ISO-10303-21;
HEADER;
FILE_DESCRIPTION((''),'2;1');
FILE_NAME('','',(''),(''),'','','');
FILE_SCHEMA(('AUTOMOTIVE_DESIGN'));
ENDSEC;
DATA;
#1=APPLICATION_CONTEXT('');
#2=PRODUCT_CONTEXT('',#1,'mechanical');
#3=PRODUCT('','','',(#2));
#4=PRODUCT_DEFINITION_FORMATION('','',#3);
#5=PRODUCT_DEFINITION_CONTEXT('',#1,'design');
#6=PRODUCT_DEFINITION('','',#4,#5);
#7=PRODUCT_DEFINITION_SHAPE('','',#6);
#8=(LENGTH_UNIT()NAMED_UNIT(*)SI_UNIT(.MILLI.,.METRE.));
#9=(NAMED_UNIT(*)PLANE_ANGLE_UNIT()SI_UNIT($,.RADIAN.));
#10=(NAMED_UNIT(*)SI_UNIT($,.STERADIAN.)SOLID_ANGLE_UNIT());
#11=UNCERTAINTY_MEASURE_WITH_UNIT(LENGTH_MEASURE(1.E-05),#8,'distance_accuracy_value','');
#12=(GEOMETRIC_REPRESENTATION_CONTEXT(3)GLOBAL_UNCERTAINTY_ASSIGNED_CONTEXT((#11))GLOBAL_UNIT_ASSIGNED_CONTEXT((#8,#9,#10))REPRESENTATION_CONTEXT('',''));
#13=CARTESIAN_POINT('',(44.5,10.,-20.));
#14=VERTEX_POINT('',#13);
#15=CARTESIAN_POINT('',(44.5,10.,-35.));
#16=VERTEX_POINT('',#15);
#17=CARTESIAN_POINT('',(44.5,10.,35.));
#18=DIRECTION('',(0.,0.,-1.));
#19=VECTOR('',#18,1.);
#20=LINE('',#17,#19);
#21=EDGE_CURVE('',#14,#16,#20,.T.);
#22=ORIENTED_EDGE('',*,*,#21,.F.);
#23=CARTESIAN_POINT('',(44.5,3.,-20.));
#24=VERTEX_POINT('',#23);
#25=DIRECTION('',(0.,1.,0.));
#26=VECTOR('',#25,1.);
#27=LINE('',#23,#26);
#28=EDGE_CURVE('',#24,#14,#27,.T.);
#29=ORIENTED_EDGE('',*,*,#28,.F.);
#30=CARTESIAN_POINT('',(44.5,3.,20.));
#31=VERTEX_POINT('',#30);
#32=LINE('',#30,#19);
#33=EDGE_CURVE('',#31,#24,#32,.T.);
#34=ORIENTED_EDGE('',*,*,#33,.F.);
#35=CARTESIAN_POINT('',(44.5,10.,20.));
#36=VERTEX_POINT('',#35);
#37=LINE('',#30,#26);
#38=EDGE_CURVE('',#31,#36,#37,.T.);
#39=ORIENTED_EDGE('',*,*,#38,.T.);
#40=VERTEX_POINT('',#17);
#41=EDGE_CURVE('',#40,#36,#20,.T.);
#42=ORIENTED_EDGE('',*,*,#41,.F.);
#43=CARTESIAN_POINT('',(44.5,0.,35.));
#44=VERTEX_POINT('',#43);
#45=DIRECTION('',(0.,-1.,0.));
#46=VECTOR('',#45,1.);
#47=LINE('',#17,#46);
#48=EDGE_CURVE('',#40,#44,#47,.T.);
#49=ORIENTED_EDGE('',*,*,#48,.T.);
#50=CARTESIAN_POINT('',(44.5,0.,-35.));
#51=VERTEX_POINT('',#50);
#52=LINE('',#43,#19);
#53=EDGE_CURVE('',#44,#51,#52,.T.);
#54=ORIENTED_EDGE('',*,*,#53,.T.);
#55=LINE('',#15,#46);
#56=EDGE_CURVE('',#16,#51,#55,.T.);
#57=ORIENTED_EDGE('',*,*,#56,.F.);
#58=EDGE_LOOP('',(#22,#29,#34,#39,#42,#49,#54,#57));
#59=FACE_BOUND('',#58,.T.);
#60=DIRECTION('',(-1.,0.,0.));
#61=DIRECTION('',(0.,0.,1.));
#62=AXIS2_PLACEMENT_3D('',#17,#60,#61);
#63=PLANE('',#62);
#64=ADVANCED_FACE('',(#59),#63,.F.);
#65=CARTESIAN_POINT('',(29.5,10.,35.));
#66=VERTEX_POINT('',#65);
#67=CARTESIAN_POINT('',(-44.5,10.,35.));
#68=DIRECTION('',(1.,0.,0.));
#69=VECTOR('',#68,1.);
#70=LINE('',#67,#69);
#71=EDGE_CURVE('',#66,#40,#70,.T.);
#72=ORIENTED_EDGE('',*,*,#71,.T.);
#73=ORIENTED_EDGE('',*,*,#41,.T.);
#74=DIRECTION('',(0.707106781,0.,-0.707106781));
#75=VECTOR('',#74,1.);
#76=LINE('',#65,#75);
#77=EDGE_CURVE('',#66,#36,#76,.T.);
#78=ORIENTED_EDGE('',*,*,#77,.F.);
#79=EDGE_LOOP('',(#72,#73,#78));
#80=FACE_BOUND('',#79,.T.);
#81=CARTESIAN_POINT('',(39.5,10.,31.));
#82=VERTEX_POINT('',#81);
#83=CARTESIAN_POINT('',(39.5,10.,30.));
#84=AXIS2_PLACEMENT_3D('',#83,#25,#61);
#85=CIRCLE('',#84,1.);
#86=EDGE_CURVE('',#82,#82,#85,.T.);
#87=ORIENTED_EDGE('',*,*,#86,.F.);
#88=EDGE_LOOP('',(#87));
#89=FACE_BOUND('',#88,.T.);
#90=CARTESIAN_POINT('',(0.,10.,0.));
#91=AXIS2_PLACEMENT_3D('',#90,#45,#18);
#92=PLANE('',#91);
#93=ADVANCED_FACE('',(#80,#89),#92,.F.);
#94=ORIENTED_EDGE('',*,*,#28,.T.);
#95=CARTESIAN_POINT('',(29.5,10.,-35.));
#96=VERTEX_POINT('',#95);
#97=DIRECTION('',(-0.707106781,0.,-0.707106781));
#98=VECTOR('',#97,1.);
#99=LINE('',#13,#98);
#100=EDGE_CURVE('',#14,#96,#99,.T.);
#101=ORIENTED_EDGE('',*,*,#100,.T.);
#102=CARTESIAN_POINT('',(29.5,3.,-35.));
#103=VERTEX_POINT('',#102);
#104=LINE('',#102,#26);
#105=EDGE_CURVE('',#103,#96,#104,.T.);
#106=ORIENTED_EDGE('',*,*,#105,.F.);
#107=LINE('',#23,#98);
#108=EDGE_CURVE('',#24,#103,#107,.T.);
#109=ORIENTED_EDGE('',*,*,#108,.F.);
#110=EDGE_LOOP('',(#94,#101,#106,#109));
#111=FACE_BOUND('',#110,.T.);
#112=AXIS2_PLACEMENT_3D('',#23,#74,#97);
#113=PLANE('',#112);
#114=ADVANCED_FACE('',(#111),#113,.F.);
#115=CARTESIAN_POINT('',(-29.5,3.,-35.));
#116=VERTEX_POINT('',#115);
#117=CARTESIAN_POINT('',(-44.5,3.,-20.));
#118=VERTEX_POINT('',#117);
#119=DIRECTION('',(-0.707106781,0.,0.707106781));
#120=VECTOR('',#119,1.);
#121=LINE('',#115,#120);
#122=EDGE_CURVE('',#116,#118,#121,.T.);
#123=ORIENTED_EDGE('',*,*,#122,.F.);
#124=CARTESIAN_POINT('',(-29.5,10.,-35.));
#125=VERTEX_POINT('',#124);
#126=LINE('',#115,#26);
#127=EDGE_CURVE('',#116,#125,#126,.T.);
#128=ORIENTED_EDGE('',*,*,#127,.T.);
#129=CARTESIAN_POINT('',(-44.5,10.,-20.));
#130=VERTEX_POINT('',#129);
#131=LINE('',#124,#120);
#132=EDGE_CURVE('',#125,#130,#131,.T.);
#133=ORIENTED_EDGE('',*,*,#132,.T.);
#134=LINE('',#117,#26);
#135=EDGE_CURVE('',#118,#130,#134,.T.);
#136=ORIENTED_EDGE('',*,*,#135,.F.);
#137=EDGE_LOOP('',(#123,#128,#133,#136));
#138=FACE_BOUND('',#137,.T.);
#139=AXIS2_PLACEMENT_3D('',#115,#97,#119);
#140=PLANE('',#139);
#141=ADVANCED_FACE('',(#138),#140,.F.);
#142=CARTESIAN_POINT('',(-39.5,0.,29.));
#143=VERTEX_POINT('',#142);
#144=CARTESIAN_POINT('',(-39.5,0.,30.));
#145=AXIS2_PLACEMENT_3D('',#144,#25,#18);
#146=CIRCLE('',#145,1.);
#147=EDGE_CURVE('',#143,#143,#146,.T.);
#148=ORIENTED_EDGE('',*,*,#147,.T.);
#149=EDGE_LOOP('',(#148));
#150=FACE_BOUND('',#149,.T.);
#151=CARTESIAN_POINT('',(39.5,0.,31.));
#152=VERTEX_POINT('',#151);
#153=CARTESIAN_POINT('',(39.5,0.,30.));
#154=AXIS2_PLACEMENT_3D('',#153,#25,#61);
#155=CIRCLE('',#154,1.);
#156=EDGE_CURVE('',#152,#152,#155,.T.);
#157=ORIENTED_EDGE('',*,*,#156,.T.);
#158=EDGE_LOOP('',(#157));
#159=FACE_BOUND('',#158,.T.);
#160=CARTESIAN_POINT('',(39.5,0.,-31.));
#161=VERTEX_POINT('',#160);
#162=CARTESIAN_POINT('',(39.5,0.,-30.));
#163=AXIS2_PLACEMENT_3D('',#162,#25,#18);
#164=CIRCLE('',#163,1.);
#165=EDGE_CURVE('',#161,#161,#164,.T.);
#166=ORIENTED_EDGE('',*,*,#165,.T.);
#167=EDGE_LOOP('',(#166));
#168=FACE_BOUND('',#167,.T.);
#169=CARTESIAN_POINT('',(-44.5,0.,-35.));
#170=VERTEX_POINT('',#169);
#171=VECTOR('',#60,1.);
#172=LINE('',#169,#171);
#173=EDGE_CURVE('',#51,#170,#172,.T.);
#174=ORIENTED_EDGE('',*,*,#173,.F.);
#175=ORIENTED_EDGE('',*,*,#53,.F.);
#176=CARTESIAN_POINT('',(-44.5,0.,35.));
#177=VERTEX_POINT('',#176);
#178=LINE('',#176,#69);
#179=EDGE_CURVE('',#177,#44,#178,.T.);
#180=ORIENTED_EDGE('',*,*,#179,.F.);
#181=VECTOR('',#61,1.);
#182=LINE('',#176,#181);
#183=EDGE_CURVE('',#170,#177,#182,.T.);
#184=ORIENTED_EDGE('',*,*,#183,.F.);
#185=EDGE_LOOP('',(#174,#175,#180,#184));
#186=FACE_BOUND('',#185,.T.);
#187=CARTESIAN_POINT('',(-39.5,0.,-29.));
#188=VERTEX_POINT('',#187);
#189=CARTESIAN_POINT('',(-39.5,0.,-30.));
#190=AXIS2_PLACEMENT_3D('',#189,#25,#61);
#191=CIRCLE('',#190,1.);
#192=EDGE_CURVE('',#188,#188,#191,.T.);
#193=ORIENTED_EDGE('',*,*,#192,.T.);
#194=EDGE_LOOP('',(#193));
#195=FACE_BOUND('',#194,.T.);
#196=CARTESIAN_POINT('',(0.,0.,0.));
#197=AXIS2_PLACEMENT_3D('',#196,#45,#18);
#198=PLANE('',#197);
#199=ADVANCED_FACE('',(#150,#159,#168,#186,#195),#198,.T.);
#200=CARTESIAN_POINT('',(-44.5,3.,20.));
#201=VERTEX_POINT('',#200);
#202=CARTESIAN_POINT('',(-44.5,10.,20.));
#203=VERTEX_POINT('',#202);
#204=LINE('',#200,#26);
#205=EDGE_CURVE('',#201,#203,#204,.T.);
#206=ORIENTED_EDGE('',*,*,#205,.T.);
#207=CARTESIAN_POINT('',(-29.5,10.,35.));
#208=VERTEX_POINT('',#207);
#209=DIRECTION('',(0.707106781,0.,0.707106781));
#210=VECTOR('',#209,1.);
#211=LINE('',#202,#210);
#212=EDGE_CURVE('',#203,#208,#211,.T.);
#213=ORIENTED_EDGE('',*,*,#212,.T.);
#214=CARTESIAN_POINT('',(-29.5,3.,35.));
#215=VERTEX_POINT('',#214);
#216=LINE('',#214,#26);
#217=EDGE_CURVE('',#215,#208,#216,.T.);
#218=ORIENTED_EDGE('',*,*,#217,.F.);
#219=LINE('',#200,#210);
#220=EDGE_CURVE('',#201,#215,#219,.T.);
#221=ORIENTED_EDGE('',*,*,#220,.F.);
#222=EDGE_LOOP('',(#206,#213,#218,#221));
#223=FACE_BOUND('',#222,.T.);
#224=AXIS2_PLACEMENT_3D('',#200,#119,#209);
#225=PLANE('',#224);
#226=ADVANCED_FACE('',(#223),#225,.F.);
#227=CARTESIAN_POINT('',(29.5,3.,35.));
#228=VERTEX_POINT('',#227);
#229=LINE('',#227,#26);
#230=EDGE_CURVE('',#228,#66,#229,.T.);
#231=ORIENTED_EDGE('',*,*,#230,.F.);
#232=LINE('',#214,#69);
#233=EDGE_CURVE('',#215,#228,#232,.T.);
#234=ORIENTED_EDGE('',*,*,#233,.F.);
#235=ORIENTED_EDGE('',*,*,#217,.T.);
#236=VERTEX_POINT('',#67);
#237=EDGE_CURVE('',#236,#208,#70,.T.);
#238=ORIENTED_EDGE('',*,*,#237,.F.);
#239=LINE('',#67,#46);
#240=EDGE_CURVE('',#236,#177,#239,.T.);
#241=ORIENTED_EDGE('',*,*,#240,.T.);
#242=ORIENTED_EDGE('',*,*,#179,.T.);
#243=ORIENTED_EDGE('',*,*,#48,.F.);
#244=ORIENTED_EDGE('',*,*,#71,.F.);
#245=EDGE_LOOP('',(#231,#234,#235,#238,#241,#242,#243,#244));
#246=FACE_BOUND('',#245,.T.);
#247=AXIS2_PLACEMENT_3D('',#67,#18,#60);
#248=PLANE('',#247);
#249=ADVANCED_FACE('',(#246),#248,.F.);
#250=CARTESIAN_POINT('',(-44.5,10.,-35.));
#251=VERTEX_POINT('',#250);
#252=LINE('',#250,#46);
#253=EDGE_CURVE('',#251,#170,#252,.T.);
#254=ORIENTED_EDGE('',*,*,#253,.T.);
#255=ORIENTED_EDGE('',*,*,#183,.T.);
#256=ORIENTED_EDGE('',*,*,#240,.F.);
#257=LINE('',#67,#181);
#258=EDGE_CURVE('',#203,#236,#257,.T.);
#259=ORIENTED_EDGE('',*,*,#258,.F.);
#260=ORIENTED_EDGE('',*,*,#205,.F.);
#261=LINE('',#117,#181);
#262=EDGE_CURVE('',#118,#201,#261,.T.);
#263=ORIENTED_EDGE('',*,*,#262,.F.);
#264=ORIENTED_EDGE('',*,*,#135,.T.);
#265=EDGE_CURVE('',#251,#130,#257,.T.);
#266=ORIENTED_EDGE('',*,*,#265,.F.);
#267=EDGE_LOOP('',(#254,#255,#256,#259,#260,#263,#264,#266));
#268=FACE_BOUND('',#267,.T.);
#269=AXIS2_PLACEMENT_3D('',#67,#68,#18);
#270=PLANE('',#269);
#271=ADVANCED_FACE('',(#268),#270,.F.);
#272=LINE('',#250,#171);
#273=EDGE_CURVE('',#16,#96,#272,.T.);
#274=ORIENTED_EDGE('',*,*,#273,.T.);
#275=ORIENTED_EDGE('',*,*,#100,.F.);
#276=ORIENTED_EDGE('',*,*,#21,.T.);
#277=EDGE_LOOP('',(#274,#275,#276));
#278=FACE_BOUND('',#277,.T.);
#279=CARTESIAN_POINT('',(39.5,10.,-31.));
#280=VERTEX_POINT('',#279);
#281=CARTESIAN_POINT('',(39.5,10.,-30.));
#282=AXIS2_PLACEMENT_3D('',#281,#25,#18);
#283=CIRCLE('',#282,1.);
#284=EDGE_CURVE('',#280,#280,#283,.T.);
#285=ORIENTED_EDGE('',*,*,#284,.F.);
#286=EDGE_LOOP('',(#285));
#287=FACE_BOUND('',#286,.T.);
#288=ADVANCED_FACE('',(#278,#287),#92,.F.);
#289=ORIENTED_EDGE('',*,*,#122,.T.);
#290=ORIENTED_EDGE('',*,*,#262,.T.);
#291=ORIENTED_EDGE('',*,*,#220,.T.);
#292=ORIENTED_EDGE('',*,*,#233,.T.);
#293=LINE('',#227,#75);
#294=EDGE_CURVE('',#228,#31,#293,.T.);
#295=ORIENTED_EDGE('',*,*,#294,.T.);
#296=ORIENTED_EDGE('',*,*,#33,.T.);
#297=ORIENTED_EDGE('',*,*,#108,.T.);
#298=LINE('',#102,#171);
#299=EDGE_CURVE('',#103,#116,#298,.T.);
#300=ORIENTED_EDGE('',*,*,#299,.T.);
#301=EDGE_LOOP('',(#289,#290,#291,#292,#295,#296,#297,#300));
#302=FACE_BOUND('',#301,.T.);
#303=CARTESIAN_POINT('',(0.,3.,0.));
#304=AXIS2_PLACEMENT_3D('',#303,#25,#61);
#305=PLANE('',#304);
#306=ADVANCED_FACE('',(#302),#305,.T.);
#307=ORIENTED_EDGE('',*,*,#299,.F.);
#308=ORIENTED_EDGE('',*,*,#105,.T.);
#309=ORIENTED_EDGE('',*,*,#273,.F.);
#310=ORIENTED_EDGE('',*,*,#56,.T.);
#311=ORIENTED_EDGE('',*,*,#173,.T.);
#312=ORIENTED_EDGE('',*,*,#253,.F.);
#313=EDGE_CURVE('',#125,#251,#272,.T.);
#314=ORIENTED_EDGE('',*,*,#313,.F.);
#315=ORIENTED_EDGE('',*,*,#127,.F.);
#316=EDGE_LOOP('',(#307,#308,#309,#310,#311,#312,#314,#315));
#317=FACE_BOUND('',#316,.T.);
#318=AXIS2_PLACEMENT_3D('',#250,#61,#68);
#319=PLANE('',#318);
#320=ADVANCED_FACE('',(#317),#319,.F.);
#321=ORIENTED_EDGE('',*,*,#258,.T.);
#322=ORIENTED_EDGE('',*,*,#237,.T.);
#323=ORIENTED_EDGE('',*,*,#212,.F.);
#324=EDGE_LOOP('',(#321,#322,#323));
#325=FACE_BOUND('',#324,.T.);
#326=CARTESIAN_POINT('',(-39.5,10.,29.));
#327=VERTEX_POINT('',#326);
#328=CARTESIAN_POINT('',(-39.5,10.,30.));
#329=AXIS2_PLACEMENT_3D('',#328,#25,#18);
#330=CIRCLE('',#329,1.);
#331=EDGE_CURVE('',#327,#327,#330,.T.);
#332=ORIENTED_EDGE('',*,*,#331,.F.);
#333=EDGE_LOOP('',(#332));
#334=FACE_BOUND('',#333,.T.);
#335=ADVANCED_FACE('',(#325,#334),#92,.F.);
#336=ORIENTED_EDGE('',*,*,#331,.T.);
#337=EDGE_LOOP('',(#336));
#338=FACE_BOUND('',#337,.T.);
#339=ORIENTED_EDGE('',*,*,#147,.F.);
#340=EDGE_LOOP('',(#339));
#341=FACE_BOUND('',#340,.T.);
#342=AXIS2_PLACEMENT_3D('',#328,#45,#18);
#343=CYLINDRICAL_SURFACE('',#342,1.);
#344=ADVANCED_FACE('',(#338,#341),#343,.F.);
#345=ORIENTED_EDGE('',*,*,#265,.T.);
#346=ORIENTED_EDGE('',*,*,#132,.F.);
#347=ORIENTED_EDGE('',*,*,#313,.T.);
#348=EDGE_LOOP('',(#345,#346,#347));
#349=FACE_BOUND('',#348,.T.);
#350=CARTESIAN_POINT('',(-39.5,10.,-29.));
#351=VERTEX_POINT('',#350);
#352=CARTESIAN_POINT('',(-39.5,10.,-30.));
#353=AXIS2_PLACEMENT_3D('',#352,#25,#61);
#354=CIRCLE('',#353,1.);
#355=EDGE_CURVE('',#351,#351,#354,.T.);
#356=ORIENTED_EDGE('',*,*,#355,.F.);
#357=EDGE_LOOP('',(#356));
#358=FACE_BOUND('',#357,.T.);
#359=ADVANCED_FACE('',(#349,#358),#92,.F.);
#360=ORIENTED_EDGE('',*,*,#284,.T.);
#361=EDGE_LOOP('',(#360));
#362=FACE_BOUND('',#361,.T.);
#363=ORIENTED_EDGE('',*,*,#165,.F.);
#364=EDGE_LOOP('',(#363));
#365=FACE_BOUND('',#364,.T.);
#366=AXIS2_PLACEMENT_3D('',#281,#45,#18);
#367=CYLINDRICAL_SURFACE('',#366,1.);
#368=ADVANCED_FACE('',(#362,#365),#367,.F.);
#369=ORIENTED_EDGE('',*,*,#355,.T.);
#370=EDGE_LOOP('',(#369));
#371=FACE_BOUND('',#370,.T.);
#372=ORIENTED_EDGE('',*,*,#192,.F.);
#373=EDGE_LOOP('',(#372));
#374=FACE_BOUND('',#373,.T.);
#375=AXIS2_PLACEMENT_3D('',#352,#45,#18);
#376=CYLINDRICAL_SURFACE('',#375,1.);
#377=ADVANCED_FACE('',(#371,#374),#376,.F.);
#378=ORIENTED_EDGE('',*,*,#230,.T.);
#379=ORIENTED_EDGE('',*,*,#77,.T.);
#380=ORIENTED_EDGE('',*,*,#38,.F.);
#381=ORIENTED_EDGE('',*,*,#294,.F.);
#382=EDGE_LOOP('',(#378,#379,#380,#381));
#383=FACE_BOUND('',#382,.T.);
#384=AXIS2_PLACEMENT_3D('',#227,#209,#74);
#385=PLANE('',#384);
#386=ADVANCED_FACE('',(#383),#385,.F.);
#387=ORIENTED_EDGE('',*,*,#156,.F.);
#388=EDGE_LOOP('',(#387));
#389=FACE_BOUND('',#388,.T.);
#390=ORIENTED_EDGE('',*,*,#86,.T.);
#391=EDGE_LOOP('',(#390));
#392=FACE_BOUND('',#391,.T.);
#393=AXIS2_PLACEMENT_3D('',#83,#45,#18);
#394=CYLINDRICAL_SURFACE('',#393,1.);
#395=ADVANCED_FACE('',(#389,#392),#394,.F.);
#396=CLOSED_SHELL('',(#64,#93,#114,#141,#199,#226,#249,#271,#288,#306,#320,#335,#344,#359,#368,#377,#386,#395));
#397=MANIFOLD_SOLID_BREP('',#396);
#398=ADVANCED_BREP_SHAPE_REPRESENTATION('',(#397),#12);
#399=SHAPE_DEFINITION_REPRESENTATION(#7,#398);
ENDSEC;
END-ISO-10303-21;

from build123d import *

# Parameters (mm, degrees)
SKETCH1_W           = 89
SKETCH1_H           = 70
SKETCH1_R           = 1
BOSS_EXTRUDE1_DEPTH = 10
CUT_EXTRUDE2_DEPTH  = 7


with BuildPart() as part:
    # Sketch1 → Boss-Extrude1 (new body)
    with BuildSketch(Plane(origin=(0, 0, 0), x_dir=(1, 0, 0), z_dir=(0, 1, 0))):
        Rectangle(SKETCH1_W, SKETCH1_H)
        with Locations(Location((-39.5, 30, 0), (0, 0, 270))):
            Circle(SKETCH1_R, mode=Mode.SUBTRACT)
        with Locations(Location((39.5, 30, 0), (0, 0, 90))):
            Circle(SKETCH1_R, mode=Mode.SUBTRACT)
        with Locations(Location((39.5, -30, 0), (0, 0, 270))):
            Circle(SKETCH1_R, mode=Mode.SUBTRACT)
        with Locations(Location((-39.5, -30, 0), (0, 0, 90))):
            Circle(SKETCH1_R, mode=Mode.SUBTRACT)
    extrude(amount=BOSS_EXTRUDE1_DEPTH)

    # Sketch3 → Cut-Extrude2 (cut)
    with BuildSketch(Plane(origin=(0, 10, 0), x_dir=(1, 0, 0), z_dir=(0, 1, 0))):
        Polygon((-44.5, -20), (-29.5, -35), (29.5, -35), (44.5, -20), (44.5, 20), (29.5, 35), (-29.5, 35), (-44.5, 20), align=None)
    extrude(amount=-CUT_EXTRUDE2_DEPTH, mode=Mode.SUBTRACT)


solid = part.part
